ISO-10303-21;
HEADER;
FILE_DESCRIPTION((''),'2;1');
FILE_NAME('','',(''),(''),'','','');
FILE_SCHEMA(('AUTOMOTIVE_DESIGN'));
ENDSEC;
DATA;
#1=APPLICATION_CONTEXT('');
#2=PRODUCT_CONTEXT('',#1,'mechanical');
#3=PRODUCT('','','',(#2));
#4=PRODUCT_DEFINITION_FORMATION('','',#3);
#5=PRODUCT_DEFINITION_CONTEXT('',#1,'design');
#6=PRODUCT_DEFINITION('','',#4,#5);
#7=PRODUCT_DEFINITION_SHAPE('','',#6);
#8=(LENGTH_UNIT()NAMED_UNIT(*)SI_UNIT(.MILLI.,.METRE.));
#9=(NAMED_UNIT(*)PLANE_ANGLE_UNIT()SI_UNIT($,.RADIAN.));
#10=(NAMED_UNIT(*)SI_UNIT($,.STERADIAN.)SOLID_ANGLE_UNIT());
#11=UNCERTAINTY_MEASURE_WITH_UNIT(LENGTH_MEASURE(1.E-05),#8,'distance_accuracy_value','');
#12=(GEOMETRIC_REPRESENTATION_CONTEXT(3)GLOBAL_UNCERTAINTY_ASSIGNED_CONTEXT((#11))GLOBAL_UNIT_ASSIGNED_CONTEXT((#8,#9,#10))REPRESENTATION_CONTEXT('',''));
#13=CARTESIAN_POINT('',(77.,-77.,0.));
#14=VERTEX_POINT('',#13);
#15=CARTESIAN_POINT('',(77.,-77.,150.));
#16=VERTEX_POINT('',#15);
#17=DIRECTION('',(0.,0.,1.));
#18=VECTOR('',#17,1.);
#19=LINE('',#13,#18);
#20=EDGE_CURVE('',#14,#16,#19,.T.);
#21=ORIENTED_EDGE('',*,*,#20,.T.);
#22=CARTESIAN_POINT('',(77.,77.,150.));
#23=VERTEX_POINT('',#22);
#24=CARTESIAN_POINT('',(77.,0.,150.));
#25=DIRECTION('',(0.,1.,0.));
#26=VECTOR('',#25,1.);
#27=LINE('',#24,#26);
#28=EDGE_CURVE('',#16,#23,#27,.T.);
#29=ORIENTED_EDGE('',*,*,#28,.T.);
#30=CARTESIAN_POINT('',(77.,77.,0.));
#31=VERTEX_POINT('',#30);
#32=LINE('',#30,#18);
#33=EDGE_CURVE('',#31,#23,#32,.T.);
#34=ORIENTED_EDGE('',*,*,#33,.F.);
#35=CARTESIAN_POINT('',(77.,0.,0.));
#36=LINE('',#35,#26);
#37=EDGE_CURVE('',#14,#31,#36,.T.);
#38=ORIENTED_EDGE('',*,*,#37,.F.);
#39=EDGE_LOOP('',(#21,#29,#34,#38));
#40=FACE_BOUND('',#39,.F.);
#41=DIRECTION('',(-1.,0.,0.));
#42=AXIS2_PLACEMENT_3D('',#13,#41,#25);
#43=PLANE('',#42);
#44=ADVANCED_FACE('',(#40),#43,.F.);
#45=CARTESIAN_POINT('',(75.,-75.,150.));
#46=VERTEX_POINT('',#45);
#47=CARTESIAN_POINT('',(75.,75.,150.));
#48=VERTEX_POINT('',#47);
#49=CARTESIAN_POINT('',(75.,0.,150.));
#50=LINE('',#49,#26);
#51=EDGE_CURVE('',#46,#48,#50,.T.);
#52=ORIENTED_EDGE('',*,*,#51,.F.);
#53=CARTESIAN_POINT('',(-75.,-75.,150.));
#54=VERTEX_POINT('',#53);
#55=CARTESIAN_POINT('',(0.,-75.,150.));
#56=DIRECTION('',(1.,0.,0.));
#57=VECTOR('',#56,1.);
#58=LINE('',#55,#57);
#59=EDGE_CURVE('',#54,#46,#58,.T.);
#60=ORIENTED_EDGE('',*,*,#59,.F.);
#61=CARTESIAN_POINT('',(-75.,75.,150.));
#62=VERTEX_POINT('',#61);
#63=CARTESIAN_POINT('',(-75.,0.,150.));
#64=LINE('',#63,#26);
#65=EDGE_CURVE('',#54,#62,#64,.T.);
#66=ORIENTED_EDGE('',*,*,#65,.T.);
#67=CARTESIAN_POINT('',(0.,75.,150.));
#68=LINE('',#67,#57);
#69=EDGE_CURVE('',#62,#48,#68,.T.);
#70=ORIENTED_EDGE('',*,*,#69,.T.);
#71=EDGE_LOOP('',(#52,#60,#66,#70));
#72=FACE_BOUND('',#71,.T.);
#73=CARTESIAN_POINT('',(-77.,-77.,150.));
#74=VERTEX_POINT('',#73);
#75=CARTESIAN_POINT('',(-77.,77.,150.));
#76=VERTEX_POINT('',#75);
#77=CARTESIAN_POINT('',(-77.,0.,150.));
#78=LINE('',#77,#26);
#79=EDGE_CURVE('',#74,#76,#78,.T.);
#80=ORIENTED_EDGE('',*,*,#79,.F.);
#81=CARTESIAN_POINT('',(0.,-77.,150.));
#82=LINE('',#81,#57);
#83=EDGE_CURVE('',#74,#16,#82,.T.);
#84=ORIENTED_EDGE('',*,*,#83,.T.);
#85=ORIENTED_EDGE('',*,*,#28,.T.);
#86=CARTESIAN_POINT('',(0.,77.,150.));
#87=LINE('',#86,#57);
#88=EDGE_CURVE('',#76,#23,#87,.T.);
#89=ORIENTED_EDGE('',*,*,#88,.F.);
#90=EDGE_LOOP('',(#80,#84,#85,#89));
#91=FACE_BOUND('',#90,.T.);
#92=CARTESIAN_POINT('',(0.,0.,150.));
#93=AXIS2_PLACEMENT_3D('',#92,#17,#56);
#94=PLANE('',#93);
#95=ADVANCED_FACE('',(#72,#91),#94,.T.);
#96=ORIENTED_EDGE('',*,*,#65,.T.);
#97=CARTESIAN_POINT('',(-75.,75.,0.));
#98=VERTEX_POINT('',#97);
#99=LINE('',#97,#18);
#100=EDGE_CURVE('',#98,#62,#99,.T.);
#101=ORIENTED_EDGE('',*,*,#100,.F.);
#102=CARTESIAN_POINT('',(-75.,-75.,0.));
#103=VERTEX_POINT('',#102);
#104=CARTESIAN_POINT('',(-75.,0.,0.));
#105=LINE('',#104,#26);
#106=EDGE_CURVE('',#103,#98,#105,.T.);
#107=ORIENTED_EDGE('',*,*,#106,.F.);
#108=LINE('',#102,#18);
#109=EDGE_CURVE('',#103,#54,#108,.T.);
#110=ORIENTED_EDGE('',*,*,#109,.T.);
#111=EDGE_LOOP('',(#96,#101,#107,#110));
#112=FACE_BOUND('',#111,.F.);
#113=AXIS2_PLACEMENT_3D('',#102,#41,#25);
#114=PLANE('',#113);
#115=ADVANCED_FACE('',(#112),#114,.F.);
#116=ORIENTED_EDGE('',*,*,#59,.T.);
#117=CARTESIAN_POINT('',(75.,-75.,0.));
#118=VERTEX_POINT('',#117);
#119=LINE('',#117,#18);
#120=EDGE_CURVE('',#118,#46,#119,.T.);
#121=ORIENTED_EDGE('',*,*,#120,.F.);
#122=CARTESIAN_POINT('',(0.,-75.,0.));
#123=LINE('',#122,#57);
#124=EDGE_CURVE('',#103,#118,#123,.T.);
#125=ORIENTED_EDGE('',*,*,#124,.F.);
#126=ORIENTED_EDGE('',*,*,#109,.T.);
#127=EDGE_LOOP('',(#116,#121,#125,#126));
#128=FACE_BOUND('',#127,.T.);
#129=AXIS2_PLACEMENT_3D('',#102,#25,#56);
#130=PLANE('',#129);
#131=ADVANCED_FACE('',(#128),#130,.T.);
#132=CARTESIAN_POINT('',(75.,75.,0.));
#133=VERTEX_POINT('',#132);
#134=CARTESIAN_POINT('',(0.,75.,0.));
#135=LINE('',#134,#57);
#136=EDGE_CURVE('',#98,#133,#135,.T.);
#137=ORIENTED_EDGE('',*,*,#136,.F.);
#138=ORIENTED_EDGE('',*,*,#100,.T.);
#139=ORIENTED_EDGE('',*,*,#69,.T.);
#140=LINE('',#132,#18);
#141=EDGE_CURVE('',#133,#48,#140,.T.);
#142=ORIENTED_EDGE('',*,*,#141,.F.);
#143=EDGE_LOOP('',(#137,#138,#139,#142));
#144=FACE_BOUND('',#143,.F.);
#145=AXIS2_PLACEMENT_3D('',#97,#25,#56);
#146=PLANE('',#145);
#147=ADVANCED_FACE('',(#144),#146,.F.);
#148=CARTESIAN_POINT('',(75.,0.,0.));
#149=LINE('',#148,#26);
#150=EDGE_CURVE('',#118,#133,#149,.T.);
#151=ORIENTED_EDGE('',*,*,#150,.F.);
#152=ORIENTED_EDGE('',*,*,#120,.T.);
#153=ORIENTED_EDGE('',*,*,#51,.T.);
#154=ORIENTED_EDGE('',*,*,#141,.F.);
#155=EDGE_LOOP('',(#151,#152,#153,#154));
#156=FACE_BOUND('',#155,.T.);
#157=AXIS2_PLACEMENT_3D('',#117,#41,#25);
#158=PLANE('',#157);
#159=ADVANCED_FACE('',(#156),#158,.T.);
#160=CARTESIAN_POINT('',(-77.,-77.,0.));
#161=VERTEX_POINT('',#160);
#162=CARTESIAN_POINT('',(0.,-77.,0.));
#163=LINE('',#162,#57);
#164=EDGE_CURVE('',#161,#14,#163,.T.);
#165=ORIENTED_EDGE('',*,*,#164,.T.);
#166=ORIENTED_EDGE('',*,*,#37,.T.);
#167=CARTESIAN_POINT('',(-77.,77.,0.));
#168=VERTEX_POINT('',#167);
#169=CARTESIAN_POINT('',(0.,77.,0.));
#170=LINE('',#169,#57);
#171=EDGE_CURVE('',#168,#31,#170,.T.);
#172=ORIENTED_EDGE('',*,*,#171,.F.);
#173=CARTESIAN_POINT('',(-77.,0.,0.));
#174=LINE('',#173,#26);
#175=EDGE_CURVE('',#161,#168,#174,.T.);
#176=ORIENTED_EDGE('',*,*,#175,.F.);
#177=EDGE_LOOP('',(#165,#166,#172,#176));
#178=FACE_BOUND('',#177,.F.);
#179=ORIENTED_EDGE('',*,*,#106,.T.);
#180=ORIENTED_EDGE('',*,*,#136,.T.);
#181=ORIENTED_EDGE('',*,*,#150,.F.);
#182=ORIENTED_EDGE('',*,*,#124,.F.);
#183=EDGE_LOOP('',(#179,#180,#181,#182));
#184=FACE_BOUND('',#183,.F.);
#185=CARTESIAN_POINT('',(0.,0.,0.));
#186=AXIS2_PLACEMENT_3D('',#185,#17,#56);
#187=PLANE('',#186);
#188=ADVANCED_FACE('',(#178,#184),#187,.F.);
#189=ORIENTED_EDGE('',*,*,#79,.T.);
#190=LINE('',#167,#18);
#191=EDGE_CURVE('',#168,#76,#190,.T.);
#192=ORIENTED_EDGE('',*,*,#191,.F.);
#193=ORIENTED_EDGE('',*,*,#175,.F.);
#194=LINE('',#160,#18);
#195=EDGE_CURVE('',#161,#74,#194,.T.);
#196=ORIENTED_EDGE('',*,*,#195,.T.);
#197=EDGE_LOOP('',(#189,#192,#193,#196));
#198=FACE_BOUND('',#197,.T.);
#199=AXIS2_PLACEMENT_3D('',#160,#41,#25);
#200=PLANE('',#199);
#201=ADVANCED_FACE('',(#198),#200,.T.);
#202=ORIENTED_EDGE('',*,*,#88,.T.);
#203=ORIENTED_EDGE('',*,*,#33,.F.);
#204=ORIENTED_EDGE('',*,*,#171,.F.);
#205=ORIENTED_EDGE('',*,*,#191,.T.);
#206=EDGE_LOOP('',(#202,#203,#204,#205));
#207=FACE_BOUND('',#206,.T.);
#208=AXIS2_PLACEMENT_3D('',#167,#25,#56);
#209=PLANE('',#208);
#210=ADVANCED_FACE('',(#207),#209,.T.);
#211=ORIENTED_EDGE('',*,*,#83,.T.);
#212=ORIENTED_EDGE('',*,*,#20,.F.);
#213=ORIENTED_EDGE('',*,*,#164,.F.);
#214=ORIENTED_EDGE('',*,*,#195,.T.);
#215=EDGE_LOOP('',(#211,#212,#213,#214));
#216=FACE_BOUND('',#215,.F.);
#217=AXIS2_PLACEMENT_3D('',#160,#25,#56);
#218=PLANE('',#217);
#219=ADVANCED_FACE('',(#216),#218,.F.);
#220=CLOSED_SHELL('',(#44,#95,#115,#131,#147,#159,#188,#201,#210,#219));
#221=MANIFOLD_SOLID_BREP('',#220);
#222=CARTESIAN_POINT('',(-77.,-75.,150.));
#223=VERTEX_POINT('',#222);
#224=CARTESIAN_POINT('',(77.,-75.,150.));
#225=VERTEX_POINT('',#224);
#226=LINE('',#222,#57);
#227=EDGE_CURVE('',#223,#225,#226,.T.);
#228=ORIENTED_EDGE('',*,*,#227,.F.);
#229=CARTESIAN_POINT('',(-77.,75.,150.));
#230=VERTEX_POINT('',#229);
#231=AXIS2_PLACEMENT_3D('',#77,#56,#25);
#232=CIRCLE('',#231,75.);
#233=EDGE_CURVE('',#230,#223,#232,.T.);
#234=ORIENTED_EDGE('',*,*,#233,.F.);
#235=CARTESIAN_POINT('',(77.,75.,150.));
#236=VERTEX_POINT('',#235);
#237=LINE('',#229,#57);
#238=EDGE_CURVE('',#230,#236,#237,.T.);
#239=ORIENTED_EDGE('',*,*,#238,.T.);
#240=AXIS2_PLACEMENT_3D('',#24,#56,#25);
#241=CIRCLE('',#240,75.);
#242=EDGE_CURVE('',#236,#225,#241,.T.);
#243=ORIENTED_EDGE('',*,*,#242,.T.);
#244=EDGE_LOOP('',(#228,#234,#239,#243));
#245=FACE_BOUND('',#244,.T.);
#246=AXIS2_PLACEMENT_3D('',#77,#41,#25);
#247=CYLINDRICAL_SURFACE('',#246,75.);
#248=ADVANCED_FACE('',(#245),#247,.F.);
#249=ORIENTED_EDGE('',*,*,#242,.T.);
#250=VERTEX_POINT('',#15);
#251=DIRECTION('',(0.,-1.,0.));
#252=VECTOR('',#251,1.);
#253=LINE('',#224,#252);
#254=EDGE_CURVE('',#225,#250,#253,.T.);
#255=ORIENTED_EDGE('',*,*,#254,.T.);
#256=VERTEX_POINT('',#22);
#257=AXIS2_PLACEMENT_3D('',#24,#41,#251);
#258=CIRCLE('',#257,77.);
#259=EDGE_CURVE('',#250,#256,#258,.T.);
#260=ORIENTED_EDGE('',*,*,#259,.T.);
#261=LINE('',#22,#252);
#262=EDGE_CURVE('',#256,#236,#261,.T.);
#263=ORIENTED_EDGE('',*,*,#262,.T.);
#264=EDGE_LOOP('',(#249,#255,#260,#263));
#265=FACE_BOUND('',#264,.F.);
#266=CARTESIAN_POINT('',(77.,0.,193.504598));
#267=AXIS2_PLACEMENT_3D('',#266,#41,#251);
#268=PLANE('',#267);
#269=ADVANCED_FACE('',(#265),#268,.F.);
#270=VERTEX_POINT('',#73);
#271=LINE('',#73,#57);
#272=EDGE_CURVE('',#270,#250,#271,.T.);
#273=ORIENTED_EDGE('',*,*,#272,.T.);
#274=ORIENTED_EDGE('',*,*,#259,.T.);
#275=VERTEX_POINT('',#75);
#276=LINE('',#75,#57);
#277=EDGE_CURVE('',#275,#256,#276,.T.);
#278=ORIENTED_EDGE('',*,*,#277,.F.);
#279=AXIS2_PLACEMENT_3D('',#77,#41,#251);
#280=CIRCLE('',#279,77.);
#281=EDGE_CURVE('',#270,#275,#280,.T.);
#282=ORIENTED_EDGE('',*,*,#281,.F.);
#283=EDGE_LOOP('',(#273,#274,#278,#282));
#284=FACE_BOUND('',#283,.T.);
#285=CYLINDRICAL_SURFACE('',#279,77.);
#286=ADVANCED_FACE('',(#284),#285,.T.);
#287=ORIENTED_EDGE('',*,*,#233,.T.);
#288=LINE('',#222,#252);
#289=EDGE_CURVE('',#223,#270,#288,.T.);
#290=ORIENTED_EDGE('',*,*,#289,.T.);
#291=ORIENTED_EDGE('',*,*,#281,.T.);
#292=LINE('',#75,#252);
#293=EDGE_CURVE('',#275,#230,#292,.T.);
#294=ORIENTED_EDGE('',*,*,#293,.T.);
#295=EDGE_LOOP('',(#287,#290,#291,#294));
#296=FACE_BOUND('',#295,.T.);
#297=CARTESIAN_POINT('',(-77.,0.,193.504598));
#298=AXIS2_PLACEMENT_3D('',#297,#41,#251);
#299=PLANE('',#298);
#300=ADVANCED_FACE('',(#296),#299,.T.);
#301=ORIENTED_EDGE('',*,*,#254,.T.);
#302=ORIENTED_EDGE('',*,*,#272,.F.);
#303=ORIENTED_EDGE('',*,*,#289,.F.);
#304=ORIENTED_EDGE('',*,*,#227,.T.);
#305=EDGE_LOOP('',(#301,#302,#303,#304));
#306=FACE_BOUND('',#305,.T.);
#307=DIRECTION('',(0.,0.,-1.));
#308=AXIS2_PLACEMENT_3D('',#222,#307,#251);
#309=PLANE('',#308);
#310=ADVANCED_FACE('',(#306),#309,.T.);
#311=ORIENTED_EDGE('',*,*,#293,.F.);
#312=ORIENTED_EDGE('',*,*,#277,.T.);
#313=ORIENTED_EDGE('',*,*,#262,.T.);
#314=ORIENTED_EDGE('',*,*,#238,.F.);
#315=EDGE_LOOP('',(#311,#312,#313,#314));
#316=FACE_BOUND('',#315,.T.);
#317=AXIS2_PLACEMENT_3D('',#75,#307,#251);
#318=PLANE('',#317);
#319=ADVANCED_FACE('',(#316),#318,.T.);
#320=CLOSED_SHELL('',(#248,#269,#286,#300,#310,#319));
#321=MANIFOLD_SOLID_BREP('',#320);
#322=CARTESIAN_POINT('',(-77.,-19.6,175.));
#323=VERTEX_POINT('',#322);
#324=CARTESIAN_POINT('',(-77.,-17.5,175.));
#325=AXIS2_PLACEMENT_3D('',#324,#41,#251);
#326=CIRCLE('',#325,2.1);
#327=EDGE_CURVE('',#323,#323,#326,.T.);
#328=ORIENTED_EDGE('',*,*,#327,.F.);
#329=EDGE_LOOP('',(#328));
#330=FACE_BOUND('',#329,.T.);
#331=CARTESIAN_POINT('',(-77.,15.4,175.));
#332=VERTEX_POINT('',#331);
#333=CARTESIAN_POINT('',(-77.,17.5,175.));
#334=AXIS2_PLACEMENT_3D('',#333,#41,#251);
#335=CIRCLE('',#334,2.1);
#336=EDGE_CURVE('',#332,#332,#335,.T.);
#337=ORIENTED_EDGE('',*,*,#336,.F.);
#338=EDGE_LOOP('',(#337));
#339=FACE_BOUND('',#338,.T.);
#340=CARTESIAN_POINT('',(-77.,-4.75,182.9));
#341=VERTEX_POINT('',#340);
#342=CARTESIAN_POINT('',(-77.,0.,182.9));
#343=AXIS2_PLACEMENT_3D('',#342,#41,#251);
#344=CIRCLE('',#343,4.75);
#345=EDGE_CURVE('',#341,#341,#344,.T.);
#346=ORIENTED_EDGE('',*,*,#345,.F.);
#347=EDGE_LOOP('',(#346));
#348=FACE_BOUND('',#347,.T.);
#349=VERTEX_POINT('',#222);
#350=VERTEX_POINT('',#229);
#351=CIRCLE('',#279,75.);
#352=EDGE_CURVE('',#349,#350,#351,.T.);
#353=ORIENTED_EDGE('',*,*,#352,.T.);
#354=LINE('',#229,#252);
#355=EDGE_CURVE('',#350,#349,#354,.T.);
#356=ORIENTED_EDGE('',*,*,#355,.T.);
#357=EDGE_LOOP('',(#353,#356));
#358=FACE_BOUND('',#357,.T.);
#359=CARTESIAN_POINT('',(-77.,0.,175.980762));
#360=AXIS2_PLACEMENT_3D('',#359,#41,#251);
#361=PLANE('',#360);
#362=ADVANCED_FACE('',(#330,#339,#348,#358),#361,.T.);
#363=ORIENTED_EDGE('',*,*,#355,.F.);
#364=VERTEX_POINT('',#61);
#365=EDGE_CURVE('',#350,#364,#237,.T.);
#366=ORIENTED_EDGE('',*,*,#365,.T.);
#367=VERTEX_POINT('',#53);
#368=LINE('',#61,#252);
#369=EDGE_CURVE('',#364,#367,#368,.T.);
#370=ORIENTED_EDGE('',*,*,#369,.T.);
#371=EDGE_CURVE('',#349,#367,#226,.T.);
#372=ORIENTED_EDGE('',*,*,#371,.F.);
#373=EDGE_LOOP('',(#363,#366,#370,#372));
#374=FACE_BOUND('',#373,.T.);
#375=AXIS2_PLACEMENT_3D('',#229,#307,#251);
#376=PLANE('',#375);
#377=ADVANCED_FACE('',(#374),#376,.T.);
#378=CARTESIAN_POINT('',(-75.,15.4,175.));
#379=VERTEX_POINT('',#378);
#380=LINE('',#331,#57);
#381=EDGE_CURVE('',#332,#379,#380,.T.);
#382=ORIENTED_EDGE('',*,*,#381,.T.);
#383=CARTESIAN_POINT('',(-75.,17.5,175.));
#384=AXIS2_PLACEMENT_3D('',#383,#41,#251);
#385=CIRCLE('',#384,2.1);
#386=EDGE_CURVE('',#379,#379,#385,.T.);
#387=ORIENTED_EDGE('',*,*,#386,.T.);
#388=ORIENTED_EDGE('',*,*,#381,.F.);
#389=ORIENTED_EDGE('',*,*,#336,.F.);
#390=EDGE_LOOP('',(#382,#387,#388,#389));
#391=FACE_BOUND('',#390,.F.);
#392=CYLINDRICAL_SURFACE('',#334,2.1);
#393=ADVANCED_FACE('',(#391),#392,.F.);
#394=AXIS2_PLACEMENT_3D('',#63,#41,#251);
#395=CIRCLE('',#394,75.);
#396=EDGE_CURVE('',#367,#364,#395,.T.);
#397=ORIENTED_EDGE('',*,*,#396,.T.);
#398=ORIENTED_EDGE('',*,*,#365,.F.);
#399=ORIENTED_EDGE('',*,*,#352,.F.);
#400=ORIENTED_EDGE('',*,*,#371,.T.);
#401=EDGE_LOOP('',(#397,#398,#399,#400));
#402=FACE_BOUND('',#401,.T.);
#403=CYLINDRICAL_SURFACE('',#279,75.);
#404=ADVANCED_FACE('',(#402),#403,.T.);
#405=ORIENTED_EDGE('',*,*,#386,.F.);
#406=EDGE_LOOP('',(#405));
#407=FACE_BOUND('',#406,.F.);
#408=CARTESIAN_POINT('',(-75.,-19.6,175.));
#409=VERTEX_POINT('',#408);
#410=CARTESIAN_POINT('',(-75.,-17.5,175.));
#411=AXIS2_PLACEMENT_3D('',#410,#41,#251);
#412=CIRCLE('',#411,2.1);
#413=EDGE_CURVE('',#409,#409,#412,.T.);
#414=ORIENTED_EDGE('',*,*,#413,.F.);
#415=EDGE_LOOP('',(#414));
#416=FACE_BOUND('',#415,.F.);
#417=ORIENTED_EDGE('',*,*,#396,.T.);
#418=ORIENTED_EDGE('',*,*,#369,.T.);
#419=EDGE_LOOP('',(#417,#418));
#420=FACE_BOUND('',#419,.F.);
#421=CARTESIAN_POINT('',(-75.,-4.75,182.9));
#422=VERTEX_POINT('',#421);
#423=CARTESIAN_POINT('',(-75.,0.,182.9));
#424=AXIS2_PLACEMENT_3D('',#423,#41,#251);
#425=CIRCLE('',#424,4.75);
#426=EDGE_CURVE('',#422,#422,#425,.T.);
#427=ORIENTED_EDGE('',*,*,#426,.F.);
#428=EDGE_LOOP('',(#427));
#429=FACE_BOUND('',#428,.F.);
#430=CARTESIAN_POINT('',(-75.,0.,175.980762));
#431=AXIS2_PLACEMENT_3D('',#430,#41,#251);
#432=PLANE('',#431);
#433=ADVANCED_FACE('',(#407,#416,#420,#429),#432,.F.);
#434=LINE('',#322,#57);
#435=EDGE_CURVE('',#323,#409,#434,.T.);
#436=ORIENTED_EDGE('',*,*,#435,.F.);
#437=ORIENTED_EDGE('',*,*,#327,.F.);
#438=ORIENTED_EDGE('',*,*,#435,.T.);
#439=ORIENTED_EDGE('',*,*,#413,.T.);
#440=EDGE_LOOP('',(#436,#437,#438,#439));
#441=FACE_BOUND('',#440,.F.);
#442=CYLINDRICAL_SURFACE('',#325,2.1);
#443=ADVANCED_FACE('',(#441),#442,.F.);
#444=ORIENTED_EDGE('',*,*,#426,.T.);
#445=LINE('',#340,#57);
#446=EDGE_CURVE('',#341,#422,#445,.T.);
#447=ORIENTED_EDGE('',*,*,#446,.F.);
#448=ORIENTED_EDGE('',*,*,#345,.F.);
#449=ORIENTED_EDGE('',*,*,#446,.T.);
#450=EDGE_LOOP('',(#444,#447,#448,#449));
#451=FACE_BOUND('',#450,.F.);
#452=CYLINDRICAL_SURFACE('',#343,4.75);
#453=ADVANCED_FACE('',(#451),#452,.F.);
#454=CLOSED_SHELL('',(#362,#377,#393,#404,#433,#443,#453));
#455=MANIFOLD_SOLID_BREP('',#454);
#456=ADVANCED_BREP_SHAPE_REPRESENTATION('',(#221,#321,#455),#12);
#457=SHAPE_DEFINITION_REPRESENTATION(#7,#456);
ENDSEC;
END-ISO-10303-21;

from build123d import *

# Parameters (mm, degrees)
F2_W     = 154
F2_H     = 154
F2_W_2   = 150
F2_H_2   = 150
F3_DEPTH = 150
F5_DEPTH = 154
F4_R     = 2.1
F4_R_2   = 4.75
F6_DEPTH = 2


with BuildPart() as f3:
    # F2 (on Top) → F3 (new body)
    with BuildSketch(Plane.XY):
        Rectangle(F2_W, F2_H)
        Rectangle(F2_W_2, F2_H_2, mode=Mode.SUBTRACT)
    extrude(amount=F3_DEPTH)


with BuildPart() as f5:
    # F4 (on face) → F5 (new body)
    with BuildSketch(Plane(origin=(-77, 0, 0), x_dir=(0, -1, 0), z_dir=(-1, 0, 0))):
        with BuildLine():
            ThreePointArc((-75, 150), (0, 225), (75, 150))
            Line((75, 150), (77, 150))
            ThreePointArc((77, 150), (0, 227), (-77, 150))
            Line((-77, 150), (-75, 150))
        make_face()
    extrude(amount=-F5_DEPTH)


with BuildPart() as f6:
    # F4 (on face) → F6 (new body)
    with BuildSketch(Plane(origin=(-77, 0, 0), x_dir=(0, -1, 0), z_dir=(-1, 0, 0))):
        with BuildLine():
            Line((-75, 150), (75, 150))
            ThreePointArc((75, 150), (0, 225), (-75, 150))
        make_face()
        with Locations((-17.5, 175)):
            Circle(F4_R, mode=Mode.SUBTRACT)
        with Locations((0, 182.9)):
            Circle(F4_R_2, mode=Mode.SUBTRACT)
        with Locations((17.5, 175)):
            Circle(F4_R, mode=Mode.SUBTRACT)
    extrude(amount=-F6_DEPTH)


solid = Compound([f3.part, f5.part, f6.part])
